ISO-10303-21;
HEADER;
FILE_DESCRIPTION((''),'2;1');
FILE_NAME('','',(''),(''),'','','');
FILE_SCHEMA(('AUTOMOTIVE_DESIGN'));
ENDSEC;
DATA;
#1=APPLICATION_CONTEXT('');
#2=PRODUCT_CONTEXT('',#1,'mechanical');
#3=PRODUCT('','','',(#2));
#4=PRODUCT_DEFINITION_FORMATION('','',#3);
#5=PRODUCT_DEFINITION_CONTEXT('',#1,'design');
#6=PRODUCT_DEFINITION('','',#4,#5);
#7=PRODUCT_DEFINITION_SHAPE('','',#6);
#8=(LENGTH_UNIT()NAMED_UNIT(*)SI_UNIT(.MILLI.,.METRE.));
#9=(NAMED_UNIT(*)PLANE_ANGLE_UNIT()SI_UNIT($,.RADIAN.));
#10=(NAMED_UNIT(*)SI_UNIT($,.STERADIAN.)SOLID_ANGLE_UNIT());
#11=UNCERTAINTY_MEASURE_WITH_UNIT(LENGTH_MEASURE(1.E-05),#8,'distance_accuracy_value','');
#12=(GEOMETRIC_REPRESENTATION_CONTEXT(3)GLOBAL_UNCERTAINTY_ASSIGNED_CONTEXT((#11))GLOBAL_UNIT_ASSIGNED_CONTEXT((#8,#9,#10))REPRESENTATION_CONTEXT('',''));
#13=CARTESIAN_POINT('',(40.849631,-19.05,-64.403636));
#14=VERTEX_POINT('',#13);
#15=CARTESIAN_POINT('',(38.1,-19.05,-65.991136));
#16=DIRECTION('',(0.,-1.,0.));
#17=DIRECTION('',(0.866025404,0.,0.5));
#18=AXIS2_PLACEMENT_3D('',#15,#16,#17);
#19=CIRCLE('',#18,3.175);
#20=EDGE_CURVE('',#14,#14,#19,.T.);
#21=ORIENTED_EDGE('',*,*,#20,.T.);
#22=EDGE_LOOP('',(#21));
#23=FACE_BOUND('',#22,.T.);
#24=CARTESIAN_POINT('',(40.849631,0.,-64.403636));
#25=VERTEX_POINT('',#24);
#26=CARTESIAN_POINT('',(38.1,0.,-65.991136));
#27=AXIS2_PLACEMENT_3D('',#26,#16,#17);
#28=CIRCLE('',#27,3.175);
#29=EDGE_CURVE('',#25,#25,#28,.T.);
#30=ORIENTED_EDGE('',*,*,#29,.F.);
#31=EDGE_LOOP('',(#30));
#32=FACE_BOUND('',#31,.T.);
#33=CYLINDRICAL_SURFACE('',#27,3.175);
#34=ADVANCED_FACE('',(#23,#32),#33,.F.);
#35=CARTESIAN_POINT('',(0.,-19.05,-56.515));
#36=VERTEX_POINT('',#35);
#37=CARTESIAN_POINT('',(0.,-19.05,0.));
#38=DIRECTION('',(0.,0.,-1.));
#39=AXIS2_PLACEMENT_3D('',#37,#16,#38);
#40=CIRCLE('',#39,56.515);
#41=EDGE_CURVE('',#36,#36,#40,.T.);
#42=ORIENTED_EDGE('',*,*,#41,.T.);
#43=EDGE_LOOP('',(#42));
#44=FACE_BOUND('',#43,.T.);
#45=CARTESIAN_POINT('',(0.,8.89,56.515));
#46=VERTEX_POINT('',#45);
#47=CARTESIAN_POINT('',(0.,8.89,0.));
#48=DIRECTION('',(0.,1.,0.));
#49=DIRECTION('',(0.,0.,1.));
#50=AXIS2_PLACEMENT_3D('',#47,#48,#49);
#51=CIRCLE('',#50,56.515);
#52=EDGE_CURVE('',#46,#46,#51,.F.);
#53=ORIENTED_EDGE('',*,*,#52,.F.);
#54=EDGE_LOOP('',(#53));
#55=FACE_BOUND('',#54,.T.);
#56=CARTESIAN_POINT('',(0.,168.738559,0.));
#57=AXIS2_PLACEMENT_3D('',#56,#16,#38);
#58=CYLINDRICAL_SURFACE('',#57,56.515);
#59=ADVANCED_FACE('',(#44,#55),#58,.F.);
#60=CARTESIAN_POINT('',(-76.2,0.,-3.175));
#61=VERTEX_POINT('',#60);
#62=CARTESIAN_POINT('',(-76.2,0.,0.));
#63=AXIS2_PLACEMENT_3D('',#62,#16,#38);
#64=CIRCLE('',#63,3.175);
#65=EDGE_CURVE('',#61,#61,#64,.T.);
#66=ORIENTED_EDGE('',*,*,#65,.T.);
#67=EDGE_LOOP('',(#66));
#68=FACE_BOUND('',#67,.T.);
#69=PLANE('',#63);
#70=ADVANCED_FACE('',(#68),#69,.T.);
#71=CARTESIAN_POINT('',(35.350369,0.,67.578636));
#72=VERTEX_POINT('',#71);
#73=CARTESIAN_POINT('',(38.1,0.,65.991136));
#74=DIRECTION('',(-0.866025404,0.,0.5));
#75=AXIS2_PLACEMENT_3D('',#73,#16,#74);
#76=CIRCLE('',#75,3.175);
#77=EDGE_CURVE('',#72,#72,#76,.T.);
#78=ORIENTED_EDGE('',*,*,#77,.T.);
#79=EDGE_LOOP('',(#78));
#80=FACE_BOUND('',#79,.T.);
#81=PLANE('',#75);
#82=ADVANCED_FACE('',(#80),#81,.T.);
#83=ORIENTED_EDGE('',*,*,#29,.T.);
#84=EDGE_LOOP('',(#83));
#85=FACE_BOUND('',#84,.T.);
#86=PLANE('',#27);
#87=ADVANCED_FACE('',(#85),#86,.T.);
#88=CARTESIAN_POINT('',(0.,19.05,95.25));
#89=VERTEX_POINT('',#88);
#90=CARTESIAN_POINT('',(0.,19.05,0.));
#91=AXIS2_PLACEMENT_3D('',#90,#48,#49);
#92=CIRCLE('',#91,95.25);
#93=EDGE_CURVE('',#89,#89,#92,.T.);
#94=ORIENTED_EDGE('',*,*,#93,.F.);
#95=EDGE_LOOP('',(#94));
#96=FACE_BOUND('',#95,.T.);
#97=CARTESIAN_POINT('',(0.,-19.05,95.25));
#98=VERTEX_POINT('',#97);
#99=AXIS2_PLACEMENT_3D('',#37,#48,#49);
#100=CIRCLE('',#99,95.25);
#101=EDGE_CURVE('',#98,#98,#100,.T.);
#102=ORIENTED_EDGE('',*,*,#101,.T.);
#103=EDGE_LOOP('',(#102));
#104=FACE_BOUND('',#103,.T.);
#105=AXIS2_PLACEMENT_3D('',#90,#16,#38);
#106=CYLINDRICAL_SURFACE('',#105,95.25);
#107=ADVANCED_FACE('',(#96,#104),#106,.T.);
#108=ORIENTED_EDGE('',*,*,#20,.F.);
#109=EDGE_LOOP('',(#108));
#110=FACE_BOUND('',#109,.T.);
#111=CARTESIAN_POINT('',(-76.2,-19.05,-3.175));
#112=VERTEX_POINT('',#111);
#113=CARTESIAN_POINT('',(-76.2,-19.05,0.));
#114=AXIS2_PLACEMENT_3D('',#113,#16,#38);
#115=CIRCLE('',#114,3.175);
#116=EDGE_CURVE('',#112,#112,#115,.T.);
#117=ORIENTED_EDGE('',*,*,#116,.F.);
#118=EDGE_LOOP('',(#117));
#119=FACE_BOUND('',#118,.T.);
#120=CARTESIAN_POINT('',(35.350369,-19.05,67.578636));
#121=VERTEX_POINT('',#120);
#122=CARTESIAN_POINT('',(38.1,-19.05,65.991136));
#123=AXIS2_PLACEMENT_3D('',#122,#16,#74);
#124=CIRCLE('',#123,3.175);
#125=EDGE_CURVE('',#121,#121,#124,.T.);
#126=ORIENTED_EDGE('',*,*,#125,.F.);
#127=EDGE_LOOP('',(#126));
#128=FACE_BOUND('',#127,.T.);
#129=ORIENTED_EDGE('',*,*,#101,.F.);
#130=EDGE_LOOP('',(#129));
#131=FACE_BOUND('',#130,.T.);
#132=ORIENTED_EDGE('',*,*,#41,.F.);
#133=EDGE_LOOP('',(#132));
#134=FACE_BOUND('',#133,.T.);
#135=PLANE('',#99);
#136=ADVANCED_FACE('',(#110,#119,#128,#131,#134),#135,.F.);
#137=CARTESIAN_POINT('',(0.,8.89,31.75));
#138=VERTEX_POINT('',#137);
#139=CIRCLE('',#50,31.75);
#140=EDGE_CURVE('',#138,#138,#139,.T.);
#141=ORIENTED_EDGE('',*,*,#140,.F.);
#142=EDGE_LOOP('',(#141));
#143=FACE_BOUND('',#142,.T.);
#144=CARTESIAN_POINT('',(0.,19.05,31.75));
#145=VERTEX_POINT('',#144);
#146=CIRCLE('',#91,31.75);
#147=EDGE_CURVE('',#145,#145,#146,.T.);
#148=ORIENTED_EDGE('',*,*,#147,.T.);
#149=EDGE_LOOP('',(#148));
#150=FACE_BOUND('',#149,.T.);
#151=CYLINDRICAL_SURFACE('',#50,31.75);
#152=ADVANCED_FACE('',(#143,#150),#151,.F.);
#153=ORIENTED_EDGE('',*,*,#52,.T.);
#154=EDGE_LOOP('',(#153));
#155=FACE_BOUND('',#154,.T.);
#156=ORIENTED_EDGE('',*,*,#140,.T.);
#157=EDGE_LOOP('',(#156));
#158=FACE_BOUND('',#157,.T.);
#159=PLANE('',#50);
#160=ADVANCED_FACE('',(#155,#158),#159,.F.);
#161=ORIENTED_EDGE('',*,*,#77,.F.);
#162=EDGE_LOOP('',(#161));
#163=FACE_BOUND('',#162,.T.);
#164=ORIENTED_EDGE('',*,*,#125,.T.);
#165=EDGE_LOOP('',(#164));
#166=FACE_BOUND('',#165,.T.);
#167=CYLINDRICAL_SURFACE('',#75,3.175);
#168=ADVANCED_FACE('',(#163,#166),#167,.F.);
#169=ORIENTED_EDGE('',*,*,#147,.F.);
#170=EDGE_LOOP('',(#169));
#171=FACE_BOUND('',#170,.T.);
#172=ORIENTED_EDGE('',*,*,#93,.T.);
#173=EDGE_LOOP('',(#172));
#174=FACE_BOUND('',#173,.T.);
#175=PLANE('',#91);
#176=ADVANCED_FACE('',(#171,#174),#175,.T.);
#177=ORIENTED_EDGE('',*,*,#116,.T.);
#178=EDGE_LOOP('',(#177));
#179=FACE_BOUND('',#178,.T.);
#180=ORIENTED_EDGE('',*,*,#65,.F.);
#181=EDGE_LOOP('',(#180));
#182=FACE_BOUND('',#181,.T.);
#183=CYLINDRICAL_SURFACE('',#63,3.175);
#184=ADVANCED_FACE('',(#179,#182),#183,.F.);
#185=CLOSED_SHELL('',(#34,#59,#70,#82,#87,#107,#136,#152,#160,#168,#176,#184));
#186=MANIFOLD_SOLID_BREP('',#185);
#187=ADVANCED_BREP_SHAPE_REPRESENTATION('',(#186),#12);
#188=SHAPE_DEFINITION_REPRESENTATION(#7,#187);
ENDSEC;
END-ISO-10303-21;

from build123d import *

# Parameters (mm, degrees)
SKETCH1_R           = 95.25
BOSS_EXTRUDE1_DEPTH = 19.05
SKETCH2_R           = 31.75
CUT_EXTRUDE1_DEPTH  = 10.16
SKETCH3_R           = 56.515
CUT_EXTRUDE2_DEPTH  = 27.94
SKETCH4_R           = 3.175
CUT_EXTRUDE3_DEPTH  = 19.05
CIRPATTERN1_COUNT   = 3


with BuildPart() as part:
    # Sketch1 → Boss-Extrude1 (new body, symmetric)
    with BuildSketch(Plane(origin=(0, 0, 0), x_dir=(1, 0, 0), z_dir=(0, 1, 0))):
        Circle(SKETCH1_R)
    extrude(amount=BOSS_EXTRUDE1_DEPTH, both=True)

    # Sketch2 → Cut-Extrude1 (cut)
    with BuildSketch(Plane(origin=(0, 19.05, 0), x_dir=(1, 0, 0), z_dir=(0, 1, 0))):
        Circle(SKETCH2_R)
    extrude(amount=-CUT_EXTRUDE1_DEPTH, mode=Mode.SUBTRACT)

    # Sketch3 → Cut-Extrude2 (cut)
    with BuildSketch(Plane.XZ.offset(19.05)):
        Circle(SKETCH3_R)
    extrude(amount=-CUT_EXTRUDE2_DEPTH, mode=Mode.SUBTRACT)

    # Sketch4 → Cut-Extrude3 (cut)
    with BuildSketch(Plane.XZ.offset(19.05)):
        with Locations((-76.2, 0)):
            Circle(SKETCH4_R)
    cut_extrude3 = extrude(amount=-CUT_EXTRUDE3_DEPTH, mode=Mode.SUBTRACT)

    # CirPattern1: Cut-Extrude3 ×3 about axis
    cirpattern1_axis = Axis((0, 0, 0), (0, 1, 0))
    for i in range(1, CIRPATTERN1_COUNT):
        add(cut_extrude3.rotate(cirpattern1_axis, i * 360 / CIRPATTERN1_COUNT), mode=Mode.SUBTRACT)


solid = part.part
